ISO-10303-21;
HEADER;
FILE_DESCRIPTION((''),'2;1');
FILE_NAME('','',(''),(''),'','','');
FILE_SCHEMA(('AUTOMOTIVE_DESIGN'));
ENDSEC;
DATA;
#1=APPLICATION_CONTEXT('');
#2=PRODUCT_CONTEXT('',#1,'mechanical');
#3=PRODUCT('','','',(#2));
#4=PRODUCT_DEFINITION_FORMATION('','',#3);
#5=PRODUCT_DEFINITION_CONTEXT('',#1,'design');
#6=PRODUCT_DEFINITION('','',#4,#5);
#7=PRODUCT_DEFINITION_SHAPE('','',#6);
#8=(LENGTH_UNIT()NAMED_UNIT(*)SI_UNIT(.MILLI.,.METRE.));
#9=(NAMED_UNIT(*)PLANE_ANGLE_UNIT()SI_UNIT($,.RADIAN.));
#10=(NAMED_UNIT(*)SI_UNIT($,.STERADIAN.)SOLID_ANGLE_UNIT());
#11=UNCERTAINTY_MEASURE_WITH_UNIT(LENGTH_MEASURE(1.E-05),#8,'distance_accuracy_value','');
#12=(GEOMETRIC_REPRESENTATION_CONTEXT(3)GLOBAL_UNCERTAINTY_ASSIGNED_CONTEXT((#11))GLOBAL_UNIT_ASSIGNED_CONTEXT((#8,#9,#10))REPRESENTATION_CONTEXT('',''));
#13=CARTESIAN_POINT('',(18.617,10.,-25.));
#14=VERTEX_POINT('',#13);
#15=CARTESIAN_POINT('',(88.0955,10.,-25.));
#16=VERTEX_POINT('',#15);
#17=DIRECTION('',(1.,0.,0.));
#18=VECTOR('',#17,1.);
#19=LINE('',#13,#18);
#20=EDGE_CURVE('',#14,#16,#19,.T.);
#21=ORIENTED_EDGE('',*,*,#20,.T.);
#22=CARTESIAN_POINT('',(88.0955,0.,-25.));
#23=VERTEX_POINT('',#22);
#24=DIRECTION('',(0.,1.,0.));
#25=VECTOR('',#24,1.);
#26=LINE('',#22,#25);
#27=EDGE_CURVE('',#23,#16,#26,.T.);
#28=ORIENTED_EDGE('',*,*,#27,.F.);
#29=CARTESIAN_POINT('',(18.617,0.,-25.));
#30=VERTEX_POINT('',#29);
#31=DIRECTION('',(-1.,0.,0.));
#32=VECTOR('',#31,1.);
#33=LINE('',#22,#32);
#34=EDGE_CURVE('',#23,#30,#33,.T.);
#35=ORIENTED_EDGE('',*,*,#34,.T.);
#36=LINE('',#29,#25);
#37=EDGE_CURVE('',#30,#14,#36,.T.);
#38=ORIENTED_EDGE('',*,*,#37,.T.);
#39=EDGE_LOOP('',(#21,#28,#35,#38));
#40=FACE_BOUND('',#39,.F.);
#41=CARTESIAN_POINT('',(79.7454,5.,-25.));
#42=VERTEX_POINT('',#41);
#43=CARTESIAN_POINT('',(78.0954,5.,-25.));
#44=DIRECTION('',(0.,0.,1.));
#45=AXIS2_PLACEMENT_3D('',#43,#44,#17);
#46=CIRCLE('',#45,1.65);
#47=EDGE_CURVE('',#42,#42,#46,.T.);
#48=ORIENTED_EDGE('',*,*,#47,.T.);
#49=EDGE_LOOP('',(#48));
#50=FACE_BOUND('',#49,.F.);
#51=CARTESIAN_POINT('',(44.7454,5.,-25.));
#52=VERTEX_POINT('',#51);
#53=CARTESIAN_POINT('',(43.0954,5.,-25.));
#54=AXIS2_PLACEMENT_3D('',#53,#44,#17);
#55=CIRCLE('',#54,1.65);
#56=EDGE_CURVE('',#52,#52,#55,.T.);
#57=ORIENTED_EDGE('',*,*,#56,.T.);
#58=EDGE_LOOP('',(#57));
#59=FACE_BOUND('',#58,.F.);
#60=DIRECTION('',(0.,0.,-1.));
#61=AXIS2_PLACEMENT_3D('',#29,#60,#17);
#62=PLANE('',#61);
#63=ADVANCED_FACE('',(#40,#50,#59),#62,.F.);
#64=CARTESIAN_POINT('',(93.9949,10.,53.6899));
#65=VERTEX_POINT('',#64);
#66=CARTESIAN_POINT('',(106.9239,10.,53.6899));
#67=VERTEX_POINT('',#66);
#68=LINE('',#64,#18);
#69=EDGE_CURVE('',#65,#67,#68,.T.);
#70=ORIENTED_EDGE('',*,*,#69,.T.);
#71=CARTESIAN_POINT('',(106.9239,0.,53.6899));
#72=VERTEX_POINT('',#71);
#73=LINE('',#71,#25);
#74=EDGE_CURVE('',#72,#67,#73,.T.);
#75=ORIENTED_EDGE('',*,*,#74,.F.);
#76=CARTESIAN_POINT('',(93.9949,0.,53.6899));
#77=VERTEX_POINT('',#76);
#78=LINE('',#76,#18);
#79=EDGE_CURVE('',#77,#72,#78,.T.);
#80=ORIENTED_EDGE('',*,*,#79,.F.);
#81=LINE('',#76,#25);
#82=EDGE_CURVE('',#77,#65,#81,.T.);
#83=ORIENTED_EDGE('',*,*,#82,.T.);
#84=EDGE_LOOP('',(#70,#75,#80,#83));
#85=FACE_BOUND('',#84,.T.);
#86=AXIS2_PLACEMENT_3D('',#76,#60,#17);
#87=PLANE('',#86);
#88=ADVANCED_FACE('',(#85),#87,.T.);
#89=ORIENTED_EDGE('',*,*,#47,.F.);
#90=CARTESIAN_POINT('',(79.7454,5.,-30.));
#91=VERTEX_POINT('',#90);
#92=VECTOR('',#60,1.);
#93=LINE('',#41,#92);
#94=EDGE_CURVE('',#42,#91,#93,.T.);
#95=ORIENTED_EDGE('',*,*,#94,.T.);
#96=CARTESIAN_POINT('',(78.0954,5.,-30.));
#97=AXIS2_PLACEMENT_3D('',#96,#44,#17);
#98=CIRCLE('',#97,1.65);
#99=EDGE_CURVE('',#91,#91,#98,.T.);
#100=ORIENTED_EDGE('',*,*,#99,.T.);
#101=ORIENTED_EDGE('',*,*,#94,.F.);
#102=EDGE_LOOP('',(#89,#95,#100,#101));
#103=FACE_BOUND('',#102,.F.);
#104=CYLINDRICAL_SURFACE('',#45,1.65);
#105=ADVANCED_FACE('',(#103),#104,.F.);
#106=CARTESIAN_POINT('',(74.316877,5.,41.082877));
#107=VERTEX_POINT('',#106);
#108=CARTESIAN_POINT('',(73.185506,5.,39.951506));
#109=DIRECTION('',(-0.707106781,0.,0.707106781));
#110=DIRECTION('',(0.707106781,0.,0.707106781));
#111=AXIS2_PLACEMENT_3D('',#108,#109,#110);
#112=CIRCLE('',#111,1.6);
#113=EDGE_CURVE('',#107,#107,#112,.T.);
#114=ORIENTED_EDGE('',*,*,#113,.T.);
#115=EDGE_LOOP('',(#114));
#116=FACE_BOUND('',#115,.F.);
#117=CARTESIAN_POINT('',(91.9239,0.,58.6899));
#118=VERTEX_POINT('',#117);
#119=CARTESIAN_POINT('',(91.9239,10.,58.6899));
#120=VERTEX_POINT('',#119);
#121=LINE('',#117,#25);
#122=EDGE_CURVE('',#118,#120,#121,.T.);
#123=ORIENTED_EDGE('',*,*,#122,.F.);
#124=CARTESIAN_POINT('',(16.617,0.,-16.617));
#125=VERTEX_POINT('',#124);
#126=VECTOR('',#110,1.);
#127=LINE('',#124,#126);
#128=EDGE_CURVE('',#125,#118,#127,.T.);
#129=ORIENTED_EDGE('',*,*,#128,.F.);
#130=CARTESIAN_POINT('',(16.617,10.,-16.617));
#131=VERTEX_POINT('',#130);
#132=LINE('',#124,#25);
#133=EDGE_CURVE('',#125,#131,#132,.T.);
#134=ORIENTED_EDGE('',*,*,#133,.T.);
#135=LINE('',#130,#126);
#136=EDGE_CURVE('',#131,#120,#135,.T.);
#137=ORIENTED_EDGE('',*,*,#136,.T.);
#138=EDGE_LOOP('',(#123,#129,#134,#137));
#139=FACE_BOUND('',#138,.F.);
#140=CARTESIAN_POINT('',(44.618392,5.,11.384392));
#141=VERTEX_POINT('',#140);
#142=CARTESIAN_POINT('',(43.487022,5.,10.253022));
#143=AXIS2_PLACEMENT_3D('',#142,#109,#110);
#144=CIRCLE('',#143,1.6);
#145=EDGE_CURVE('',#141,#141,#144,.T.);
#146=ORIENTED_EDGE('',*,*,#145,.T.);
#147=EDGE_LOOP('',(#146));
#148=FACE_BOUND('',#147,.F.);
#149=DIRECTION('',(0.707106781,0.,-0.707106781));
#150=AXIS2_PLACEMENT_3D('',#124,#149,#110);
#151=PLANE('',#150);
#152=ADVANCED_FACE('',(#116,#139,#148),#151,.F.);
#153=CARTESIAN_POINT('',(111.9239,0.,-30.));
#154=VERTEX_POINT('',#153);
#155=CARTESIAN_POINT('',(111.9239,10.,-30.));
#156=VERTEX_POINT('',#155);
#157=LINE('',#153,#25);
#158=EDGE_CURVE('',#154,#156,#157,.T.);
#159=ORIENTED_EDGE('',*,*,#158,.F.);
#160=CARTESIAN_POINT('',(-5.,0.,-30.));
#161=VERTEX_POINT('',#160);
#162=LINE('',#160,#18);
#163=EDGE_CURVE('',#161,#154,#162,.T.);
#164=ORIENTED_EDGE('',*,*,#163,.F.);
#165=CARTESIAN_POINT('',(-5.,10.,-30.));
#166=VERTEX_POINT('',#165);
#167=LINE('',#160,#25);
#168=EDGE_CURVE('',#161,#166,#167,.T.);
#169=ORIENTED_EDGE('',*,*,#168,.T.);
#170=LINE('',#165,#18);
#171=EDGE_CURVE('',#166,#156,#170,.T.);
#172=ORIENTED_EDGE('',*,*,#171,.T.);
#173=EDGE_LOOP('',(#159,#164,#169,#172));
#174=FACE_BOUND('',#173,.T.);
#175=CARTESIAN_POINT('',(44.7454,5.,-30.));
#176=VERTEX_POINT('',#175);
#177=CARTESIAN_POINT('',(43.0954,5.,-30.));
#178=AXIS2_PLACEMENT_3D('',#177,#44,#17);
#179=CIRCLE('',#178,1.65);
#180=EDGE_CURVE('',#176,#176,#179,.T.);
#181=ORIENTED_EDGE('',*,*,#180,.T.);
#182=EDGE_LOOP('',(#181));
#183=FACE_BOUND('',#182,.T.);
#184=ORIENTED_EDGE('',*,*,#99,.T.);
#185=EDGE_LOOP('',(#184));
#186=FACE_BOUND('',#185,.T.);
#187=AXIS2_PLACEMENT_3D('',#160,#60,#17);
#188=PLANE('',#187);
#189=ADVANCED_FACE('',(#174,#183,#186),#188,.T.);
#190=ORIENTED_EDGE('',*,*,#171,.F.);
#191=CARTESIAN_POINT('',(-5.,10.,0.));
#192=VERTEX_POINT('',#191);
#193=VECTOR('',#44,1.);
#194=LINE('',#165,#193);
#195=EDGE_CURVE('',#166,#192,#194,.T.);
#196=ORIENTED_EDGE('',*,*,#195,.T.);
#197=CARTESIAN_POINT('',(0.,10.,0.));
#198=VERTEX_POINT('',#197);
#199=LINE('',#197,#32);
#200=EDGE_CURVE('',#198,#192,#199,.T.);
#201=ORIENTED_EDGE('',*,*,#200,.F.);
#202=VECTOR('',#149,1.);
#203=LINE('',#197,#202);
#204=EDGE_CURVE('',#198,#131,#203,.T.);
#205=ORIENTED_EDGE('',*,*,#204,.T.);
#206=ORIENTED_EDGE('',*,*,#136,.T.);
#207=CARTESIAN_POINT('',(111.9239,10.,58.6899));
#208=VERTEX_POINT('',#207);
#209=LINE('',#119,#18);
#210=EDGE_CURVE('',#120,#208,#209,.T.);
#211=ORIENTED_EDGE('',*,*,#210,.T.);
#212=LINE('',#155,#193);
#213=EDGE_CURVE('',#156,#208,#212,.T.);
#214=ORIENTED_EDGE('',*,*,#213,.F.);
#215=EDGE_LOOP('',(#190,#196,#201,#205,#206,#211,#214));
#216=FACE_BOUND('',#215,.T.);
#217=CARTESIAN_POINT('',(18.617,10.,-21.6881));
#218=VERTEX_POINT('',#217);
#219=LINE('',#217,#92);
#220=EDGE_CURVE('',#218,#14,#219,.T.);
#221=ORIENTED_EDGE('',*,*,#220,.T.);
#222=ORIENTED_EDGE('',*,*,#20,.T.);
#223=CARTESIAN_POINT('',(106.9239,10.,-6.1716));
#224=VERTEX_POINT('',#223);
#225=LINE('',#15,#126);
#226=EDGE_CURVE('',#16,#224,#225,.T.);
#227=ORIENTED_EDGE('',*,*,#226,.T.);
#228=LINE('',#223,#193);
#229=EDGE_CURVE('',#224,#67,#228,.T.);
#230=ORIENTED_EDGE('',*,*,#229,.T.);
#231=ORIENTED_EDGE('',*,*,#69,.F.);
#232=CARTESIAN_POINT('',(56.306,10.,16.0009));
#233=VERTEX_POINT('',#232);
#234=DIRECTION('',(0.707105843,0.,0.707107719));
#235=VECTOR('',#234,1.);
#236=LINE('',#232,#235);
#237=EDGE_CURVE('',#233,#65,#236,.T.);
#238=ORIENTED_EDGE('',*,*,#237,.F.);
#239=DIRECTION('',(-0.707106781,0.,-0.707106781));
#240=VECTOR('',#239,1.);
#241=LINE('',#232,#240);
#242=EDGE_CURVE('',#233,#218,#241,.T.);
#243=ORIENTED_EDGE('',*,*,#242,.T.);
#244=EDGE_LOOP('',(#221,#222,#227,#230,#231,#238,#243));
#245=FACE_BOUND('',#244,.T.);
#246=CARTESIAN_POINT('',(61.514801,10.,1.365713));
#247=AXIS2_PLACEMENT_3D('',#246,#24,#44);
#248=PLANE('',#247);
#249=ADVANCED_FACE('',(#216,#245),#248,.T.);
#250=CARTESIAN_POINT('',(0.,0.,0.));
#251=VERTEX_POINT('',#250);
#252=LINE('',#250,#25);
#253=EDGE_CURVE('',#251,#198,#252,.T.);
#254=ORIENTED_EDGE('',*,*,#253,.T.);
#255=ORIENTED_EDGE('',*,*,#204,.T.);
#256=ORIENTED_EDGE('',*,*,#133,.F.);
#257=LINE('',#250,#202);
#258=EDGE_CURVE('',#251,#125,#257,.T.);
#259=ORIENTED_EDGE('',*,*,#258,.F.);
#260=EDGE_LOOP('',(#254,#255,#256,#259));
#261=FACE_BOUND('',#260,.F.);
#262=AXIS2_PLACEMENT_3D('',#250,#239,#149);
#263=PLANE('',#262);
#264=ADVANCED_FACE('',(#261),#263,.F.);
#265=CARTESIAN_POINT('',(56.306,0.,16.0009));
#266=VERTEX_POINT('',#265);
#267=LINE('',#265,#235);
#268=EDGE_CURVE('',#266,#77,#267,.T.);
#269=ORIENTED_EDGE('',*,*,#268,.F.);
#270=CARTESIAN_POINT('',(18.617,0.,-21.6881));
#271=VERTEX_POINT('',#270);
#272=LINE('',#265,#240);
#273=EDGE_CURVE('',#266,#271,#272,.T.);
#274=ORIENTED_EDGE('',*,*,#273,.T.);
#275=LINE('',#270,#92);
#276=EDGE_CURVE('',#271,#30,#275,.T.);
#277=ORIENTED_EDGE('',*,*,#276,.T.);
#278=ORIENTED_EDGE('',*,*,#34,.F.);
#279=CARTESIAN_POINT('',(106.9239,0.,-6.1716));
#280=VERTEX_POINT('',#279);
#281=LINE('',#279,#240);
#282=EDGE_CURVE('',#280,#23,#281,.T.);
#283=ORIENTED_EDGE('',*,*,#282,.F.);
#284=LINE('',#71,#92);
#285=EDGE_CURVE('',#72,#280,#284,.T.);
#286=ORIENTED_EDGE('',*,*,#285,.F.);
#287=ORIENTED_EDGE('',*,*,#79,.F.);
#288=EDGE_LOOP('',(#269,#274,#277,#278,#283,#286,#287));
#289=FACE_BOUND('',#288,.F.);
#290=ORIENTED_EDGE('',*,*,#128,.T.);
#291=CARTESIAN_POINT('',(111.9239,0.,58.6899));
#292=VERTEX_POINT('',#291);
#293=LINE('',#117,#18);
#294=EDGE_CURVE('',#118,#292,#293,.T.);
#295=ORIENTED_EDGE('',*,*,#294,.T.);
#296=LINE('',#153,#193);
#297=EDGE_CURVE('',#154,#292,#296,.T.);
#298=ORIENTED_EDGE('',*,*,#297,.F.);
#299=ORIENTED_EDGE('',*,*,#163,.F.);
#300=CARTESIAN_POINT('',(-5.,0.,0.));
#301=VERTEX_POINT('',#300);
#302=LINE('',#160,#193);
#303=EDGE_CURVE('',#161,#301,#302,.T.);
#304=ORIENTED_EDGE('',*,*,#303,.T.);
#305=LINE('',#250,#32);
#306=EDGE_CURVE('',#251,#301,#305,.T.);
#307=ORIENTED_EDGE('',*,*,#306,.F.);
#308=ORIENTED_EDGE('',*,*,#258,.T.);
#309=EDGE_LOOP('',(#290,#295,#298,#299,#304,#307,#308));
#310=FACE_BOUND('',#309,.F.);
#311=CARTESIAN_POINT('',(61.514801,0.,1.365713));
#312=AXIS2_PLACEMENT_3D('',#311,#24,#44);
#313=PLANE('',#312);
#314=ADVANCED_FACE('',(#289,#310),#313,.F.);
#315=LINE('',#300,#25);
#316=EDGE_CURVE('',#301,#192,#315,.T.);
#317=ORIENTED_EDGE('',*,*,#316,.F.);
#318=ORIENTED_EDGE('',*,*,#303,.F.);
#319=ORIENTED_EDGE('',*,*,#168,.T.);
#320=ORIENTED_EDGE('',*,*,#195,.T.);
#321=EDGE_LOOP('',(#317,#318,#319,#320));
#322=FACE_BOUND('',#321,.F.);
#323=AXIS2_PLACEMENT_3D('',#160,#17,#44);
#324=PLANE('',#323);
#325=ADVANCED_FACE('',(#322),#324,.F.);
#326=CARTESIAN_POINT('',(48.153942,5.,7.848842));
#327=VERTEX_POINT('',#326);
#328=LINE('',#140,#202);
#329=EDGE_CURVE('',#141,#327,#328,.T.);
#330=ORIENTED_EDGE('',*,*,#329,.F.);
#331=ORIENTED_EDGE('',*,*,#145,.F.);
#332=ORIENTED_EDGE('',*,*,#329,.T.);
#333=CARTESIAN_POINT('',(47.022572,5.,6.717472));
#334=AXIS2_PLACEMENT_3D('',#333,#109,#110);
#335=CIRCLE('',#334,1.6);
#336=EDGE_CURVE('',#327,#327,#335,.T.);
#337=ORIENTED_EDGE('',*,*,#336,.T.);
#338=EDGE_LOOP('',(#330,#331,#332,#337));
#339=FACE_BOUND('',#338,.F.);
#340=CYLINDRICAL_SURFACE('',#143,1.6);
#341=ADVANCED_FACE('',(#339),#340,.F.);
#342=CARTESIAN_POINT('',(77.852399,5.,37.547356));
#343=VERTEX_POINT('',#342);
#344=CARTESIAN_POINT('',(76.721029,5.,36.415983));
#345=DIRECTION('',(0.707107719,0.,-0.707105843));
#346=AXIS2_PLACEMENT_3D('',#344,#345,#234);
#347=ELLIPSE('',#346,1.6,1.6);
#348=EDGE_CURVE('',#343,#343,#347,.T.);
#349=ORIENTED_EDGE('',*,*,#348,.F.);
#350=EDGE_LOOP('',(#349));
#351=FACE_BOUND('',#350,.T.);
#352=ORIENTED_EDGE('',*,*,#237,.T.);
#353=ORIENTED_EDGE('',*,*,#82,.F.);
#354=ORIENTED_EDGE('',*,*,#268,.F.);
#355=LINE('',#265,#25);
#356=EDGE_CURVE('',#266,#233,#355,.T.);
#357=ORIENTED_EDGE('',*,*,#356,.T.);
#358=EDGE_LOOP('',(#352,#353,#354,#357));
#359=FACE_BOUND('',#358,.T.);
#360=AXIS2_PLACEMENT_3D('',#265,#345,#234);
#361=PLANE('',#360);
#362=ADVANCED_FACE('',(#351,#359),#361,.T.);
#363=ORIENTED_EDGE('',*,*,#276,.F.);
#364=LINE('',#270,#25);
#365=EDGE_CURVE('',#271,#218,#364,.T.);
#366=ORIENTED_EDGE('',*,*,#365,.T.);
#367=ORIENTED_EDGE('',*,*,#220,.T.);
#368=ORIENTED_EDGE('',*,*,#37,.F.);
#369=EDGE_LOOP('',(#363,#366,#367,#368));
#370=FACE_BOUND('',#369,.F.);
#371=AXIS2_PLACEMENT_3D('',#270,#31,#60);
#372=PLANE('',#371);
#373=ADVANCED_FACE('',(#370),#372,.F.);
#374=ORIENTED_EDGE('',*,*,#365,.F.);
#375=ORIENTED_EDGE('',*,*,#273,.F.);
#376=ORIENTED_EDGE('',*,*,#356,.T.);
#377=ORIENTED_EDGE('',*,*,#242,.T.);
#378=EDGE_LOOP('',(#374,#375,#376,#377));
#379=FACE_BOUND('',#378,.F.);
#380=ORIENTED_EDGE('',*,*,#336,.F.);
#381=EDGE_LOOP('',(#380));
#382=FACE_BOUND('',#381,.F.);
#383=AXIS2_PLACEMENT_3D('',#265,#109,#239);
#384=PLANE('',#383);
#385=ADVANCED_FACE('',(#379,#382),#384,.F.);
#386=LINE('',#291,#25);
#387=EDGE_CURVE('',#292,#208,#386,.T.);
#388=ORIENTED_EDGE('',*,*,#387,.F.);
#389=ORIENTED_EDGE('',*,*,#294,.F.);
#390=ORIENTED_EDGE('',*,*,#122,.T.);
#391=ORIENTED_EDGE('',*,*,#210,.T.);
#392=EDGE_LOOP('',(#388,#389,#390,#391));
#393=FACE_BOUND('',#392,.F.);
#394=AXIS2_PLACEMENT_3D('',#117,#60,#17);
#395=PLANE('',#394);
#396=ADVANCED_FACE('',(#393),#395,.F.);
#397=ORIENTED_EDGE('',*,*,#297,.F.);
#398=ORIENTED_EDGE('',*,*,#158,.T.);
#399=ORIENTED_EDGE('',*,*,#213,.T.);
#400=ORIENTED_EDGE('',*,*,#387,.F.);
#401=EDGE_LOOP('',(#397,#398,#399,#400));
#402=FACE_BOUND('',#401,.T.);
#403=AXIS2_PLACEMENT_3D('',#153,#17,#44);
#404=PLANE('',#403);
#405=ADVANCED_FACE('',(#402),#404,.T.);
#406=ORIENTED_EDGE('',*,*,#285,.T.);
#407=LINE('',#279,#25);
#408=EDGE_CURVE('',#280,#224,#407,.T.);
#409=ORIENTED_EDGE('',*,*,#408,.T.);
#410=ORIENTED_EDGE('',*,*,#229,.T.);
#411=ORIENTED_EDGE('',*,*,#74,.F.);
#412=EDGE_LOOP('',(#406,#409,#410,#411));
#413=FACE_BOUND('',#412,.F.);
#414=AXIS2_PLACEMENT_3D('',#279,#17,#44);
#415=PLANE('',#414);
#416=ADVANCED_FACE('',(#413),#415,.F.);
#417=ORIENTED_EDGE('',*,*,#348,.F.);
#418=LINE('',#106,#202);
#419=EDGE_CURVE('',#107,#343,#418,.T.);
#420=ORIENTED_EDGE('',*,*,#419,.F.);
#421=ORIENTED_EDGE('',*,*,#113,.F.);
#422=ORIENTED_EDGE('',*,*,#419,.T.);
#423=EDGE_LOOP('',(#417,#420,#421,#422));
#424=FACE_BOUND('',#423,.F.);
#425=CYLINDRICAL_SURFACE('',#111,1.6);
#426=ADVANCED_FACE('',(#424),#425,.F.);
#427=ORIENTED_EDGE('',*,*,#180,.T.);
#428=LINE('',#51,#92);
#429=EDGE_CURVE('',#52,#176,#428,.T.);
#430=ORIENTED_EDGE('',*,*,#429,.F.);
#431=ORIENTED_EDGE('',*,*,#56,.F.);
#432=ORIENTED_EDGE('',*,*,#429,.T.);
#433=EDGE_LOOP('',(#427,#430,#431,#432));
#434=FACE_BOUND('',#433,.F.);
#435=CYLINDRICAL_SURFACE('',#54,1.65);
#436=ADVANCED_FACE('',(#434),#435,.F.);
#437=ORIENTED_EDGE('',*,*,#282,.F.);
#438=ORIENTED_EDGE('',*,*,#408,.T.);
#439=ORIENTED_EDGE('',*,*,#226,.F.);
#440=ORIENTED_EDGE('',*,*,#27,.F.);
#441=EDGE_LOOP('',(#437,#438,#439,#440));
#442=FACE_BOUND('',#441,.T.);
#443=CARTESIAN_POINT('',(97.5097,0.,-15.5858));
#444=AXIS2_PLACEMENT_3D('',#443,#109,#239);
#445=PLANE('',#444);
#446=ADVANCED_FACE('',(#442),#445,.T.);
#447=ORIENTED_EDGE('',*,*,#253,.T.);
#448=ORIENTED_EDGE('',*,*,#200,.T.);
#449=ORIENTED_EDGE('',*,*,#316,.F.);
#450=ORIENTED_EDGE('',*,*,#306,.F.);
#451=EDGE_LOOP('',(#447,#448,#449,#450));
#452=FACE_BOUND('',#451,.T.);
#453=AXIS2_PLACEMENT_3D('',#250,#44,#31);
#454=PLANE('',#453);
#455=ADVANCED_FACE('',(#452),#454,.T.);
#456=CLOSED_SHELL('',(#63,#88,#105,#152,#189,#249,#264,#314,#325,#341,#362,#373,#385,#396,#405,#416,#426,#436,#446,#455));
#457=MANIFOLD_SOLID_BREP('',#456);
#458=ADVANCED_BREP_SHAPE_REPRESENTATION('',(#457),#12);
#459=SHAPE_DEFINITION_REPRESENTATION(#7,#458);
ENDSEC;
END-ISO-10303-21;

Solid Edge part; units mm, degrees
sketch "Sketch1" plane through (0, 0, 0) normal (0, -1, 0) x (1, 0, 0)
  line L0 (-5, -30) -> (-5, 0)
  line L1 (0, 0) -> (-5, 0)
  line L2 (0, 0) -> (16.617, -16.617)
  line L3 (16.617, -16.617) -> (91.9239, 58.6899)
  line L4 (91.9239, 58.6899) -> (111.9239, 58.6899)
  line L5 (111.9239, -30) -> (111.9239, 58.6899)
  line L6 (-5, -30) -> (111.9239, -30)
  line L7 (56.306, 16.0009) -> (93.9949, 53.6899)
  line L8 (93.9949, 53.6899) -> (106.9239, 53.6899)
  line L9 (106.9239, 24.3449) -> (106.9239, 53.6899)
  line L10 (106.9239, -6.1716) -> (106.9239, 24.3449)
  line L11 (97.5097, -15.5858) -> (106.9239, -6.1716)
  line L12 (97.5097, -15.5858) -> (88.0955, -25)
  line L13 (88.0955, -25) -> (52.7704, -25)
  line L14 (18.617, -25) -> (52.7704, -25)
  line L15 (18.617, -21.6881) -> (18.617, -25)
  line L16 (56.306, 16.0009) -> (18.617, -21.6881)
  dimension "D1" = 23.5
  dimension "D2" = 106.5
  dimension "D3" = 5
  dimension "D4" = 20
  dimension "D5" = 88.6899
  dimension "D6" = 30
  dimension "D7" = 29.3449
  dimension "D8" = 53.3003
  dimension "D9" = 12.9289
  dimension "D10" = 53.3003
  dimension "D11" = 3.3119
  dimension "D12" = 34.1534
  dimension "D13" = 13.3137
  dimension "D14" = 35.325
extrude "Protrusion1" add sketch "Sketch1" against normal blind 10
sketch "Sketch2" plane through (54.2704, 3.5, 21.0364) normal (-0.7071, 0, 0.7071) x (0.7071, 0, 0.7071)
  circle A0 centre (-15.25, 1.5) radius 1.6
  circle A1 centre (26.75, 1.5) radius 1.6
  dimension "D1" = 3.2
  dimension "D2" = 3.2
  dimension "D3" = 42
  dimension "D4" = 38
extrude "Cutout1" cut sketch "Sketch2" against normal up to next
sketch "Sketch3" plane through (53.3562, 5, -25) normal (0, 0, 1) x (1, 0, 0)
  circle A0 centre (-10.2608, 0) radius 1.65
  circle A1 centre (24.7392, 0) radius 1.65
  dimension "D1" = 3.3
  dimension "D2" = 3.3
  dimension "D3" = 10
  dimension "D4" = 35
extrude "Cutout2" cut sketch "Sketch3" against normal up to next
